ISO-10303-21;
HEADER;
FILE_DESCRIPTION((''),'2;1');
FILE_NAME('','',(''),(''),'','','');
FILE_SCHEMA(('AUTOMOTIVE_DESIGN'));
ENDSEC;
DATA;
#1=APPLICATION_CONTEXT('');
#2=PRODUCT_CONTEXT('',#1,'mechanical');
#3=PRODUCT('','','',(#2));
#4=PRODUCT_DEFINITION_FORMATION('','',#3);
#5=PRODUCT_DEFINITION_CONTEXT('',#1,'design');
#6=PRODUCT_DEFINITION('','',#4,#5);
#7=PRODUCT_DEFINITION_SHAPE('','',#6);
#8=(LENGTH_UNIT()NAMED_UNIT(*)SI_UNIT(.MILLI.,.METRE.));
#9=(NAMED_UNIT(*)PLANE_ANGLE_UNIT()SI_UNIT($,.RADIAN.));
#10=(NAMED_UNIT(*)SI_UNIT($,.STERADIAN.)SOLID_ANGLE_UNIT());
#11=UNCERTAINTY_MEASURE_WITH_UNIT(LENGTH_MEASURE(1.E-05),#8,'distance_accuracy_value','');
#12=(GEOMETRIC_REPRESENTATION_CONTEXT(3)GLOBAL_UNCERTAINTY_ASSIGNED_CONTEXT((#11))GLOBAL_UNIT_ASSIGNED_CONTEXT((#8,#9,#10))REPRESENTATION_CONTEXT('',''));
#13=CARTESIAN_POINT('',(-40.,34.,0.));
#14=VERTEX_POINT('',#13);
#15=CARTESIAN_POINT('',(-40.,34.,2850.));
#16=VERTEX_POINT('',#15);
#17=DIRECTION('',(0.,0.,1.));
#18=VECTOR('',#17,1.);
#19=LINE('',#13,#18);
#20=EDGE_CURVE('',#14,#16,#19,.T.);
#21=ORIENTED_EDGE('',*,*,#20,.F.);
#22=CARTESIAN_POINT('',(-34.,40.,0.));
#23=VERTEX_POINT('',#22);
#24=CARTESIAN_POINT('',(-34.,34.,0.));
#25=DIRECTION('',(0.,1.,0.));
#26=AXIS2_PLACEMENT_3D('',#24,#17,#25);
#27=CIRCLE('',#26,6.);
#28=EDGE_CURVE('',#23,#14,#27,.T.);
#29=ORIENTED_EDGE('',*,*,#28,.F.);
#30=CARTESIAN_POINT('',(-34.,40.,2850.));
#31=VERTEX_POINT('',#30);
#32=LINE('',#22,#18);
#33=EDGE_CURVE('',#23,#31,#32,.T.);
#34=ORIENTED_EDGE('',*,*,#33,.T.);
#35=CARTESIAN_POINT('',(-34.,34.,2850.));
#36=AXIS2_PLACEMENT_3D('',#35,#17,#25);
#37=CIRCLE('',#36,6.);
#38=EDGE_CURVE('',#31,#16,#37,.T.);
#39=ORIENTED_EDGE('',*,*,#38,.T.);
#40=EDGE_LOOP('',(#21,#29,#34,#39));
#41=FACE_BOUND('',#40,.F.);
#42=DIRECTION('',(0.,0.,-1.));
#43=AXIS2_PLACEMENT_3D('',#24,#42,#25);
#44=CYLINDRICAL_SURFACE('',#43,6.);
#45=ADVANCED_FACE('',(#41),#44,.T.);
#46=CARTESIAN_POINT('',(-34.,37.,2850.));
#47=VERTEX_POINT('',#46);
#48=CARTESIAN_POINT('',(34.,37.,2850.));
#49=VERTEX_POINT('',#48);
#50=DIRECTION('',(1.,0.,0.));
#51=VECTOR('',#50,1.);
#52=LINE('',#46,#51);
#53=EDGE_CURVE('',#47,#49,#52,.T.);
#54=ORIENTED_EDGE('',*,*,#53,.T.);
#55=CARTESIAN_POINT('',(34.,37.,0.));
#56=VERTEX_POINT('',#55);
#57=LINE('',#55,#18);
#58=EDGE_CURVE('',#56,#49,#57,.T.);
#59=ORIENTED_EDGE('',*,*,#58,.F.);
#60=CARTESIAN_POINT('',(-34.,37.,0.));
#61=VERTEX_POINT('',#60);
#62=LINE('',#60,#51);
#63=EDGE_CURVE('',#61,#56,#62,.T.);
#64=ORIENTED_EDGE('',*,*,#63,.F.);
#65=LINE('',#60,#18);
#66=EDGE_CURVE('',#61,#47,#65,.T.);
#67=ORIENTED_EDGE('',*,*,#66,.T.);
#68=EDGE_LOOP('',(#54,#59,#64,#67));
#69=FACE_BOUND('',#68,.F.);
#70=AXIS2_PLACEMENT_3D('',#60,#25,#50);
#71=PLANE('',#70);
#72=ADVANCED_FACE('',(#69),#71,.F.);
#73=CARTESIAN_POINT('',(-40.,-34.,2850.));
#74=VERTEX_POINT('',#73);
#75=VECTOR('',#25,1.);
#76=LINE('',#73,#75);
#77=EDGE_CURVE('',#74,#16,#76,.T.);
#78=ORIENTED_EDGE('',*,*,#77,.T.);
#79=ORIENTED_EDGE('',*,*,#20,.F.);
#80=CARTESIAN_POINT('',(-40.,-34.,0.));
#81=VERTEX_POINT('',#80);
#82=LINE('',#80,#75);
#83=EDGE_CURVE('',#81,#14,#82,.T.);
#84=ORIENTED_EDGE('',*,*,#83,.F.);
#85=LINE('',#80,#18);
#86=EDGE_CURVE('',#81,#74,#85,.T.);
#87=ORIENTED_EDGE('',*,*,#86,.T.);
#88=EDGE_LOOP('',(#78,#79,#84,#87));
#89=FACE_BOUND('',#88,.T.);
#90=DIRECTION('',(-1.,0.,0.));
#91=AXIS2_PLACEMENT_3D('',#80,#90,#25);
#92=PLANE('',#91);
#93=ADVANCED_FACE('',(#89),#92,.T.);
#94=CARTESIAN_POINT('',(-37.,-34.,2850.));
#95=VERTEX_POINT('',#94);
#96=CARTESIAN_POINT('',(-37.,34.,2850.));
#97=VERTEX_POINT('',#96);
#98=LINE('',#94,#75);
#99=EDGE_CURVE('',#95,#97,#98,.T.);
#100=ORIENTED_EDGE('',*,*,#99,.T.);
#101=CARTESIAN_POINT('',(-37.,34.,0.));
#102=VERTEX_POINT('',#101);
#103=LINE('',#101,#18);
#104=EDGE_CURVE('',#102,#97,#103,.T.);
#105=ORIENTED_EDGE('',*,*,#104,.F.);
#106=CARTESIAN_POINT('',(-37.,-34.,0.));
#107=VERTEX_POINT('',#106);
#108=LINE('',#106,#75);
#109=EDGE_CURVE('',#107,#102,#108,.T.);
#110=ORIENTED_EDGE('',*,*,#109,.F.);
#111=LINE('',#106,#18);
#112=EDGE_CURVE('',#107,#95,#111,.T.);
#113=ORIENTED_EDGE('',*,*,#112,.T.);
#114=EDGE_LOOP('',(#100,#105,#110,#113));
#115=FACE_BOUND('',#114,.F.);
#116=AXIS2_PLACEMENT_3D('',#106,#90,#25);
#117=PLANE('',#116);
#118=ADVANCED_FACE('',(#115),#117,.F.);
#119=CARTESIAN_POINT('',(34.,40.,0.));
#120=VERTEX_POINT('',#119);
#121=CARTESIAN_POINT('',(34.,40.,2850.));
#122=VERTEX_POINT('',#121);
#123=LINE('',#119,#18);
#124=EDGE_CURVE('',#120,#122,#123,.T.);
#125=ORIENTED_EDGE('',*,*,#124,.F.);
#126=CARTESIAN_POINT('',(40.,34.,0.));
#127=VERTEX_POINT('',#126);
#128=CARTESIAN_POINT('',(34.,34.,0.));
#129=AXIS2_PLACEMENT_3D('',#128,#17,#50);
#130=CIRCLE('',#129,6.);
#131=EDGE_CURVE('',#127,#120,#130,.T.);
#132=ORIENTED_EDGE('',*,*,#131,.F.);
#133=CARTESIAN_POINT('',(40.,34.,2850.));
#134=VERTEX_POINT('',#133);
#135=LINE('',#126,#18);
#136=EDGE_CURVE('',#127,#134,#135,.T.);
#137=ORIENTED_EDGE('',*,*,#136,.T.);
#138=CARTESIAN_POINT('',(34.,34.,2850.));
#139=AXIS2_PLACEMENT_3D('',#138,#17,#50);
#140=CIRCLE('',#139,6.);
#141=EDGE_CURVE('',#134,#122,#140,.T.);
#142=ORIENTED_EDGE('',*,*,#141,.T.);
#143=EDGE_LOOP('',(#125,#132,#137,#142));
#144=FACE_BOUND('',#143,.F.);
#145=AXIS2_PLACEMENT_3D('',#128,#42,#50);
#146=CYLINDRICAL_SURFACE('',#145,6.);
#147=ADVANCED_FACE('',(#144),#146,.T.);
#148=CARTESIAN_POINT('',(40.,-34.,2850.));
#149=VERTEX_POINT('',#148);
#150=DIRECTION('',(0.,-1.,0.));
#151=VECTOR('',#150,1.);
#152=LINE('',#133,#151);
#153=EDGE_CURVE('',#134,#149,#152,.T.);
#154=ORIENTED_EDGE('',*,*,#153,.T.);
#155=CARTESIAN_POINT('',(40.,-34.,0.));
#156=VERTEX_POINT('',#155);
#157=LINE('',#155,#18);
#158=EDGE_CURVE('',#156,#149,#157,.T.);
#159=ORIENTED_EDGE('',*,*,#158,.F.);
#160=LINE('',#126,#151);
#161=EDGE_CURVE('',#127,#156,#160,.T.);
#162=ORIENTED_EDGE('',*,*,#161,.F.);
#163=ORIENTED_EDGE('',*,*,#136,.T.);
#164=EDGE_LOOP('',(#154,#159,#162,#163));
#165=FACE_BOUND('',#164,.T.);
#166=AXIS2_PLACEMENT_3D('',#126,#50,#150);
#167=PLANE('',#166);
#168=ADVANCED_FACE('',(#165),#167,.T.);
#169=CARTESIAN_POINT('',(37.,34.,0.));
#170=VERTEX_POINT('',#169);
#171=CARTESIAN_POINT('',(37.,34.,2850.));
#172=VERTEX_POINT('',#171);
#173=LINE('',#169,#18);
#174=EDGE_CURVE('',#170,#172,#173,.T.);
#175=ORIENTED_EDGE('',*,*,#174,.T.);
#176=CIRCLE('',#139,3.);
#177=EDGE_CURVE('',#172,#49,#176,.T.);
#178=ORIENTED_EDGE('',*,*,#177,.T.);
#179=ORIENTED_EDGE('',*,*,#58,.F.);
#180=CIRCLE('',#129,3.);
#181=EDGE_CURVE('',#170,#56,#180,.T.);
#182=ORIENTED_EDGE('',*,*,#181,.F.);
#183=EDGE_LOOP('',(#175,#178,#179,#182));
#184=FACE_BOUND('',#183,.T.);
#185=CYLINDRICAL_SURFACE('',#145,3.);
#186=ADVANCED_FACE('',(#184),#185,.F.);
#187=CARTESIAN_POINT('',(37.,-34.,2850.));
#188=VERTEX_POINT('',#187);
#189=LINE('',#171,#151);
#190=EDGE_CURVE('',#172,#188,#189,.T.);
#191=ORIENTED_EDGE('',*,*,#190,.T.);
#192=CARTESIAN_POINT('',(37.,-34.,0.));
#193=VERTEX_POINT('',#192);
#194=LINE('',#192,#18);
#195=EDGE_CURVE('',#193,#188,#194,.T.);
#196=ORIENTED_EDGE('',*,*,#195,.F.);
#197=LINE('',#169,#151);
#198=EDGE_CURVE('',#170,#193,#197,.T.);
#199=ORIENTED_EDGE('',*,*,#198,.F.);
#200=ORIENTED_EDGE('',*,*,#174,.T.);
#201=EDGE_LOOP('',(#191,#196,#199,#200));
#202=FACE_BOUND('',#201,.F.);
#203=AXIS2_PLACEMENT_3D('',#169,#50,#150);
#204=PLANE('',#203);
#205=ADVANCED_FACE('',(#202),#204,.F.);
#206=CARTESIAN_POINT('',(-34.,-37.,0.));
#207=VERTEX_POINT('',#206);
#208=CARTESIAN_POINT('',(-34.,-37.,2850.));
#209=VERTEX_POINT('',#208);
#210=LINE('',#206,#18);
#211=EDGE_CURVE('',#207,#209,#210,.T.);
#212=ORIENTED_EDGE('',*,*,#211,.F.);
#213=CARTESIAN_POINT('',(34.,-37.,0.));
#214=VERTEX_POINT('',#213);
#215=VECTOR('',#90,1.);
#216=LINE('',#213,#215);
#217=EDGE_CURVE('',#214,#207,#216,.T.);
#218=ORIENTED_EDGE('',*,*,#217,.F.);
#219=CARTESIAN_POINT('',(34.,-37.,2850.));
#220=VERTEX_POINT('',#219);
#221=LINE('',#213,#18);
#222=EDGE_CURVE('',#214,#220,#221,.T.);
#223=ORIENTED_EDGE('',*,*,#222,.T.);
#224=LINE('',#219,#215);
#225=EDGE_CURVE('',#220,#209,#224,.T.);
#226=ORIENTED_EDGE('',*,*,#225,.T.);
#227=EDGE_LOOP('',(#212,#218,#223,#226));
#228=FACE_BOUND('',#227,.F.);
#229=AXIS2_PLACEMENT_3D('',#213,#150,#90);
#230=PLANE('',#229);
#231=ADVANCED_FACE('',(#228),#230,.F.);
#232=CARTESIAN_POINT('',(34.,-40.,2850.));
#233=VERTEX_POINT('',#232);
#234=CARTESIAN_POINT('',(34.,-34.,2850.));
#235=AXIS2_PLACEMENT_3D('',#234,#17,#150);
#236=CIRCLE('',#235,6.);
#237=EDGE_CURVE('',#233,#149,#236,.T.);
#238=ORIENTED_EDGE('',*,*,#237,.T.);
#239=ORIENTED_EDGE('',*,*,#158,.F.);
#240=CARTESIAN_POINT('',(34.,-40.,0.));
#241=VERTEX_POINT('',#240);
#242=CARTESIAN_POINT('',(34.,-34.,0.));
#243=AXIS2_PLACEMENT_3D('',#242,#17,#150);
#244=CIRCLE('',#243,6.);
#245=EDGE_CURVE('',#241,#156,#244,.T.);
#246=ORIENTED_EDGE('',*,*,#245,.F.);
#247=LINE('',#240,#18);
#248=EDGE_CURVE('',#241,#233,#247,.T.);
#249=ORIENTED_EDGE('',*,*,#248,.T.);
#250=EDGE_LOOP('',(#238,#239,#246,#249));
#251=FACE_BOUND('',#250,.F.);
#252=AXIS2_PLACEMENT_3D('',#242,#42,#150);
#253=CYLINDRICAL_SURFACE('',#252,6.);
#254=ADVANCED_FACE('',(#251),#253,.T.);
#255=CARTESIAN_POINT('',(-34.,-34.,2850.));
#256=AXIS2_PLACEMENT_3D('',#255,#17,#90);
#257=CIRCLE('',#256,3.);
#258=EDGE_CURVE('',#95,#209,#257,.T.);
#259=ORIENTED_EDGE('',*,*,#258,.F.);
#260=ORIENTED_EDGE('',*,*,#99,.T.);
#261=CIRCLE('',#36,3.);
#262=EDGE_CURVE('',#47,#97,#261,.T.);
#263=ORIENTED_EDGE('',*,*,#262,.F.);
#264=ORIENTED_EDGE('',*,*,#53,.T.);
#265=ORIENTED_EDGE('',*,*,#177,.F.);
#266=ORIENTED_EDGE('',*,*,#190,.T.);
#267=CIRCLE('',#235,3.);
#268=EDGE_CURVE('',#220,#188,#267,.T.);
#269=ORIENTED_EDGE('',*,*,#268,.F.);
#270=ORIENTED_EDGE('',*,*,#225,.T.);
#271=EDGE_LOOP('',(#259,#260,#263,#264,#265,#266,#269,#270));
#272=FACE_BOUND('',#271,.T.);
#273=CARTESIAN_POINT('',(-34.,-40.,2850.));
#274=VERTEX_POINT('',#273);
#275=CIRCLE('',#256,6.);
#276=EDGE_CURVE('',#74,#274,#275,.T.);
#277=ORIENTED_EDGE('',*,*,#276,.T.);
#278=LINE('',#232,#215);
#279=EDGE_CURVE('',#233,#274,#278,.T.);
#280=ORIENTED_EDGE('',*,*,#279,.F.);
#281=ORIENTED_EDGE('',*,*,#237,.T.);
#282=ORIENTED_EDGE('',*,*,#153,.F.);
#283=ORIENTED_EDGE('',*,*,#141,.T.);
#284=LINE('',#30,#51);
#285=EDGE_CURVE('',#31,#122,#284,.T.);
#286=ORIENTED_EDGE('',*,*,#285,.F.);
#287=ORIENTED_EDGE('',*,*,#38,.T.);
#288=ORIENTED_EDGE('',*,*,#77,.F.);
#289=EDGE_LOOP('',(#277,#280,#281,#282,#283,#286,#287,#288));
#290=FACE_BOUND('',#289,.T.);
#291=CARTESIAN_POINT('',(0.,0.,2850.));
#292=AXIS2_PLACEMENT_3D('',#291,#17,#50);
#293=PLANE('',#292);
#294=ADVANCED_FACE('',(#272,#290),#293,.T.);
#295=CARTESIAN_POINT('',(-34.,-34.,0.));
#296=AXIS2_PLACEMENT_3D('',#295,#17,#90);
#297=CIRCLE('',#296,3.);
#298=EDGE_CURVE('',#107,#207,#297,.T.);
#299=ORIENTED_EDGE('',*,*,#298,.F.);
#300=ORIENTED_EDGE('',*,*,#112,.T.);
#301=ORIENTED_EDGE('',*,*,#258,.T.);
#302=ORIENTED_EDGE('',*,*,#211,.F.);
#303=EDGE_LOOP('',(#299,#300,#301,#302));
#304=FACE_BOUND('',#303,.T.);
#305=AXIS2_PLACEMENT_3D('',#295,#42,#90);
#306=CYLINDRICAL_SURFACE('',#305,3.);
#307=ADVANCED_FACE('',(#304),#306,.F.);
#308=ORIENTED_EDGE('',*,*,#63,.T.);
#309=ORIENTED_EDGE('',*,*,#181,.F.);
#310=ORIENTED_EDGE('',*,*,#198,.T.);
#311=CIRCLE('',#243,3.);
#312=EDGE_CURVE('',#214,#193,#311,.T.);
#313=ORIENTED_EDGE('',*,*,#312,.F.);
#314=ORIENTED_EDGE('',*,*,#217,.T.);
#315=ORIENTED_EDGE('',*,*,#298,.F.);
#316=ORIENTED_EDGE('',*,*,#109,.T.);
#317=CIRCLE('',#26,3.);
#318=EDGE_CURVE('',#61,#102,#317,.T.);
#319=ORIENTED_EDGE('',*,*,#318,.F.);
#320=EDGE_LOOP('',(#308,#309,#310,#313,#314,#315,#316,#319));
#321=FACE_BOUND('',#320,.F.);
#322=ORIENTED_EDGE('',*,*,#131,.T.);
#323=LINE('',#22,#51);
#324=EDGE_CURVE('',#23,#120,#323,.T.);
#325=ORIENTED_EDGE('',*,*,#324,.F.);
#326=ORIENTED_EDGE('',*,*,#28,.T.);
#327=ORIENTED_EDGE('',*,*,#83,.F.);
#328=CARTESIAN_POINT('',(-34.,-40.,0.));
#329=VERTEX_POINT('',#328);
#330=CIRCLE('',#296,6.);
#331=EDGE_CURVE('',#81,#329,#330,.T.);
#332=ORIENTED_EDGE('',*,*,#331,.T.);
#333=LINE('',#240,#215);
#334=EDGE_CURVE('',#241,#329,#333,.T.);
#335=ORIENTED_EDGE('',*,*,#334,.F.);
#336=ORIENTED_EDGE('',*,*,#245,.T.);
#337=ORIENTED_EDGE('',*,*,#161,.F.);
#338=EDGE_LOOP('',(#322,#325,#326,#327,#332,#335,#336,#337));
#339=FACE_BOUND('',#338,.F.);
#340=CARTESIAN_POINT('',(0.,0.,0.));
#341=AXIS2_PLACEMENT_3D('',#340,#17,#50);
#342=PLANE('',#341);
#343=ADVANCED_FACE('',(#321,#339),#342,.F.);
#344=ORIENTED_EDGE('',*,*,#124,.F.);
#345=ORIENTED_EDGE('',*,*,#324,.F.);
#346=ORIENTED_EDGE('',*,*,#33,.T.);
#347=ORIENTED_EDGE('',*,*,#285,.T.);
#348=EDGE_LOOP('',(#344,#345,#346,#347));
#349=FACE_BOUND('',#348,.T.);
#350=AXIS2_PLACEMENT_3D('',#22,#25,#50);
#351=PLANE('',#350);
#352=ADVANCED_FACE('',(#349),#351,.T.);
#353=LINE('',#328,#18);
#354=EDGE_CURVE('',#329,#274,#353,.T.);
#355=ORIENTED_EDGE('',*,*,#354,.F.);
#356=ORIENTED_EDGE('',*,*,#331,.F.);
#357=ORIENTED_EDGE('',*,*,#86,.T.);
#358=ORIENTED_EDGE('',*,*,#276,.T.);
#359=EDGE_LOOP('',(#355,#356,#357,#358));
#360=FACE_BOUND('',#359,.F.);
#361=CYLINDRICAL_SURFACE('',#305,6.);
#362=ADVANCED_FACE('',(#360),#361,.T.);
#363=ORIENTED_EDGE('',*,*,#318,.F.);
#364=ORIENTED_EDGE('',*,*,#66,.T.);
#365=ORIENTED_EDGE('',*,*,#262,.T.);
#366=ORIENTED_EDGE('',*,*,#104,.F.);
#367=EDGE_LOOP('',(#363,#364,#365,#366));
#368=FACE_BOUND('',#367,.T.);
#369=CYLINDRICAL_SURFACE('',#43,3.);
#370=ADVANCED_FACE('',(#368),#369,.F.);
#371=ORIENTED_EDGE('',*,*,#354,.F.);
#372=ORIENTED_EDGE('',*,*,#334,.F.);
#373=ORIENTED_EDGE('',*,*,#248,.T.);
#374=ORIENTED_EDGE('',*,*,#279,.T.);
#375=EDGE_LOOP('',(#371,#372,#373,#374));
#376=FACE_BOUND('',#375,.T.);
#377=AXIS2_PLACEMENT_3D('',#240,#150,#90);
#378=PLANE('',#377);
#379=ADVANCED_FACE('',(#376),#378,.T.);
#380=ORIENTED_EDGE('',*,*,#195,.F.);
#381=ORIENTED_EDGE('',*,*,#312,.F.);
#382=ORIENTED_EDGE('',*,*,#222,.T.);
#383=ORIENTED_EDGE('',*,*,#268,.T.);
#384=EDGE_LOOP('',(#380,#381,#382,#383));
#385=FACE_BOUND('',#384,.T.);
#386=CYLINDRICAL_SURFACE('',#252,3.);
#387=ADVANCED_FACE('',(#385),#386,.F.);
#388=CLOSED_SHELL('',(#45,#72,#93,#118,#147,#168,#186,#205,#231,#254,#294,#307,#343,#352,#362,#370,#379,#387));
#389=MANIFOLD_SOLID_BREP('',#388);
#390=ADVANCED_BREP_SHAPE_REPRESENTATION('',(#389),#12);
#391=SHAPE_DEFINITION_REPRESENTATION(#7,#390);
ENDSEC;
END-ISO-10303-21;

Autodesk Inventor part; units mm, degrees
ref_plane "YZ Plane" through (0, 0, 0) normal (1, 0, 0) x (0, 1, 0)
ref_plane "Start Plane" through (0, 0, 0) normal (0, 0, 1) x (1, 0, 0)
ref_plane "End Plane" through (0, 0, 2850) normal (0, 0, 1) x (1, 0, 0)
sketch "Sketch" plane through (0, 0, 0) normal (0, 0, 1) x (1, 0, 0)
  line L0 (-40, -34) -> (-40, 34)
  line L1 (-34, 40) -> (34, 40)
  line L2 (40, 34) -> (40, -34)
  line L3 (34, -40) -> (-34, -40)
  arc A0 (-40, -34) -> (-34, -40) centre (-34, -34) ccw
  arc A1 (40, 34) -> (34, 40) centre (34, 34) ccw
  arc A2 (-34, 40) -> (-40, 34) centre (-34, 34) ccw
  arc A3 (34, -40) -> (40, -34) centre (34, -34) ccw
  arc A4 (-34, 37) -> (-37, 34) centre (-34, 34) ccw
  line L4 (-34, 37) -> (34, 37)
  arc A5 (37, 34) -> (34, 37) centre (34, 34) ccw
  line L5 (37, 34) -> (37, -34)
  arc A6 (34, -37) -> (37, -34) centre (34, -34) ccw
  line L6 (34, -37) -> (-34, -37)
  arc A7 (-37, -34) -> (-34, -37) centre (-34, -34) ccw
  line L7 (-37, -34) -> (-37, 34)
  line L8 (0, 57.7397) -> (0, -57.7397) construction
  line L9 (-57.7397, 0) -> (57.7397, 0) construction
  dimension "d7" = 6
  dimension "d9" = 80
  dimension "d11" = 80
  dimension "d12" = 3
  dimension "d15" = 40
  dimension "d16" = 40
extrude "Body" add sketch "Sketch" along normal up to surface (2850 mm away) from surface at 0
sketch "Sketch3" plane through (0, 0, 0) normal (0, 0, 1) x (1, 0, 0)
  line L0 (0, 0) -> (10, 0)
ref_plane "Work Plane3" through (0, 0, 0) normal (0, -1, 0) x (1, 0, 0)
sketch "Sketch4" plane through (0, 0, 0) normal (0, -1, 0) x (1, 0, 0)
  line L0 (-2, 0) -> (12, 0) projected
  line L1 (-2, 2850) -> (12, 2850) projected
  dimension "d18" = 2850
equation "\"d7\" = G_IR"
equation "\"d9\" = G_W"
equation "\"d11\" = G_H"
equation "\"d12\" = G_T"
equation "\"d15\" = 0.5 * d9"
equation "\"d16\" = 0.5 * d11"
equation "\"d3\" = G_L"
equation "\"G_W\" = 80"
equation "\"G_H\" = 80"
equation "\"G_T\" = 3"
equation "\"G_IR\" = 6"
equation "\"G_L\" = d18"
equation "\"G_OFFSET_START\" = 0"
equation "\"G_OFFSET_END\" = 0"
properties part number "ISO 4019 - 80x80x3 - 2850" material "Steel, Mild"
